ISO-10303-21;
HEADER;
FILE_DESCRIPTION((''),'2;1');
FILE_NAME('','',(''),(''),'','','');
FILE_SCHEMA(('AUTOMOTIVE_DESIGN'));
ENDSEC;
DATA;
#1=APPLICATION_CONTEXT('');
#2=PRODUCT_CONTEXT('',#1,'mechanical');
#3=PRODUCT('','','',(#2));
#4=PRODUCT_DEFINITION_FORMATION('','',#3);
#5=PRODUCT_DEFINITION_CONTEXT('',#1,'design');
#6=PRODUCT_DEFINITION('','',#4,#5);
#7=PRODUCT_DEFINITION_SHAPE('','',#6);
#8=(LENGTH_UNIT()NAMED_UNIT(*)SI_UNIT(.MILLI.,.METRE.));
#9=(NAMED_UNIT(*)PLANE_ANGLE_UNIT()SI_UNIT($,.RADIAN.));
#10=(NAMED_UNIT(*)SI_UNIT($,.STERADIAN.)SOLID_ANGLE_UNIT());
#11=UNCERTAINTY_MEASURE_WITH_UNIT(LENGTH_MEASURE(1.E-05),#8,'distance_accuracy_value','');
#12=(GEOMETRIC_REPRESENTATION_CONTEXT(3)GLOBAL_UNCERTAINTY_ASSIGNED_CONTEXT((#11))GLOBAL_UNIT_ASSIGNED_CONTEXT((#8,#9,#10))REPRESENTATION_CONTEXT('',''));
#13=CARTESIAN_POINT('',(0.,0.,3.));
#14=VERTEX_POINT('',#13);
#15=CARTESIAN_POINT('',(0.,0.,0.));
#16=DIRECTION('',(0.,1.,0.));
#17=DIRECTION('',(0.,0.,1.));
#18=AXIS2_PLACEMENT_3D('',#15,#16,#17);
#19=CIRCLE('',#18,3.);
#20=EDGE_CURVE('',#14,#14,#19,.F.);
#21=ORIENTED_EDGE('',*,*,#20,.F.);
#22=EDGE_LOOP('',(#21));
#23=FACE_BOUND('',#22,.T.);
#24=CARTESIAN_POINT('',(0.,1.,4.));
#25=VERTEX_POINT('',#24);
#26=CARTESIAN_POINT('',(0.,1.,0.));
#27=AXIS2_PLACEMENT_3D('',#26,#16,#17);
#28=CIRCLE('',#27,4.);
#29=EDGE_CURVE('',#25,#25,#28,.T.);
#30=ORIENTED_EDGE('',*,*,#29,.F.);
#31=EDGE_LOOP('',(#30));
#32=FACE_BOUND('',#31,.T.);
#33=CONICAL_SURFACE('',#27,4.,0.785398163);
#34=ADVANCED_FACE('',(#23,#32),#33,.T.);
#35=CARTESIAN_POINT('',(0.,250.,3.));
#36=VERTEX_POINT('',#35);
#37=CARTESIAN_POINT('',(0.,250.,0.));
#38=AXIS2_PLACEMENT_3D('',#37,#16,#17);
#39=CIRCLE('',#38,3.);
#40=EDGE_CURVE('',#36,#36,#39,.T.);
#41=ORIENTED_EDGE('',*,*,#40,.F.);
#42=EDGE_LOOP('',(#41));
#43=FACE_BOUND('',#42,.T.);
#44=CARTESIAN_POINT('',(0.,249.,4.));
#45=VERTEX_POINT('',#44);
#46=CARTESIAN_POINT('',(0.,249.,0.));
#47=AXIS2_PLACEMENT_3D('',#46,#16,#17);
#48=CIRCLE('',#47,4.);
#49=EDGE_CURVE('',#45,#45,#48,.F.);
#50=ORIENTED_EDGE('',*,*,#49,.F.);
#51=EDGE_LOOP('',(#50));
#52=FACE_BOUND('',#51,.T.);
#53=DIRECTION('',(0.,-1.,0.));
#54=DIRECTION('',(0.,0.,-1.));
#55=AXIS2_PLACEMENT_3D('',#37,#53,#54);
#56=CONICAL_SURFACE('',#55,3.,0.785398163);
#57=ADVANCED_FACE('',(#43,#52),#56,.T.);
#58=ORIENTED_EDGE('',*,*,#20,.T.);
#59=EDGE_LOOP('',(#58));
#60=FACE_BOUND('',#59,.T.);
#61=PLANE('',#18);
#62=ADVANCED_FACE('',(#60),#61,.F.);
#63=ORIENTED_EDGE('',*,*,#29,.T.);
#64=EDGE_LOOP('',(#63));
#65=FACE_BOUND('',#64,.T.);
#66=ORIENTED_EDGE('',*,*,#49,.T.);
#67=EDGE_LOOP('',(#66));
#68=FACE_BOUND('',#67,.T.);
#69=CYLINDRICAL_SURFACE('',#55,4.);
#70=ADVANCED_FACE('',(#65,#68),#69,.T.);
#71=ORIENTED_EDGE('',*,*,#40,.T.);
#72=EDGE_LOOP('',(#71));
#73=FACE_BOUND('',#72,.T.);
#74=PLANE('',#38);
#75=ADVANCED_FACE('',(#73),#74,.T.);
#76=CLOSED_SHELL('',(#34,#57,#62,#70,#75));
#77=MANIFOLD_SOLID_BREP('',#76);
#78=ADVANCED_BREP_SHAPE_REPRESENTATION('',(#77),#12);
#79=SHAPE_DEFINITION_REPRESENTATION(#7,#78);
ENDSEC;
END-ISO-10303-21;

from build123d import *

# Parameters (mm, degrees)
SKETCH_1_R      = 4
EXTRUDE_1_DEPTH = 250
CHAMFER_1_SIZE  = 1


with BuildPart() as part:
    # 草图1 → 凸台-拉伸1 (new body)
    with BuildSketch(Plane(origin=(0, 0, 0), x_dir=(1, 0, 0), z_dir=(0, 1, 0))):
        Circle(SKETCH_1_R)
    extrude(amount=EXTRUDE_1_DEPTH)

    # 倒角1
    chamfer_1_edges = [part.edges().sort_by_distance(p)[0] for p in [
        (-4, 0, 0),
        (-4, 250, 0),
    ]]
    chamfer(chamfer_1_edges, length=CHAMFER_1_SIZE)


solid = part.part
